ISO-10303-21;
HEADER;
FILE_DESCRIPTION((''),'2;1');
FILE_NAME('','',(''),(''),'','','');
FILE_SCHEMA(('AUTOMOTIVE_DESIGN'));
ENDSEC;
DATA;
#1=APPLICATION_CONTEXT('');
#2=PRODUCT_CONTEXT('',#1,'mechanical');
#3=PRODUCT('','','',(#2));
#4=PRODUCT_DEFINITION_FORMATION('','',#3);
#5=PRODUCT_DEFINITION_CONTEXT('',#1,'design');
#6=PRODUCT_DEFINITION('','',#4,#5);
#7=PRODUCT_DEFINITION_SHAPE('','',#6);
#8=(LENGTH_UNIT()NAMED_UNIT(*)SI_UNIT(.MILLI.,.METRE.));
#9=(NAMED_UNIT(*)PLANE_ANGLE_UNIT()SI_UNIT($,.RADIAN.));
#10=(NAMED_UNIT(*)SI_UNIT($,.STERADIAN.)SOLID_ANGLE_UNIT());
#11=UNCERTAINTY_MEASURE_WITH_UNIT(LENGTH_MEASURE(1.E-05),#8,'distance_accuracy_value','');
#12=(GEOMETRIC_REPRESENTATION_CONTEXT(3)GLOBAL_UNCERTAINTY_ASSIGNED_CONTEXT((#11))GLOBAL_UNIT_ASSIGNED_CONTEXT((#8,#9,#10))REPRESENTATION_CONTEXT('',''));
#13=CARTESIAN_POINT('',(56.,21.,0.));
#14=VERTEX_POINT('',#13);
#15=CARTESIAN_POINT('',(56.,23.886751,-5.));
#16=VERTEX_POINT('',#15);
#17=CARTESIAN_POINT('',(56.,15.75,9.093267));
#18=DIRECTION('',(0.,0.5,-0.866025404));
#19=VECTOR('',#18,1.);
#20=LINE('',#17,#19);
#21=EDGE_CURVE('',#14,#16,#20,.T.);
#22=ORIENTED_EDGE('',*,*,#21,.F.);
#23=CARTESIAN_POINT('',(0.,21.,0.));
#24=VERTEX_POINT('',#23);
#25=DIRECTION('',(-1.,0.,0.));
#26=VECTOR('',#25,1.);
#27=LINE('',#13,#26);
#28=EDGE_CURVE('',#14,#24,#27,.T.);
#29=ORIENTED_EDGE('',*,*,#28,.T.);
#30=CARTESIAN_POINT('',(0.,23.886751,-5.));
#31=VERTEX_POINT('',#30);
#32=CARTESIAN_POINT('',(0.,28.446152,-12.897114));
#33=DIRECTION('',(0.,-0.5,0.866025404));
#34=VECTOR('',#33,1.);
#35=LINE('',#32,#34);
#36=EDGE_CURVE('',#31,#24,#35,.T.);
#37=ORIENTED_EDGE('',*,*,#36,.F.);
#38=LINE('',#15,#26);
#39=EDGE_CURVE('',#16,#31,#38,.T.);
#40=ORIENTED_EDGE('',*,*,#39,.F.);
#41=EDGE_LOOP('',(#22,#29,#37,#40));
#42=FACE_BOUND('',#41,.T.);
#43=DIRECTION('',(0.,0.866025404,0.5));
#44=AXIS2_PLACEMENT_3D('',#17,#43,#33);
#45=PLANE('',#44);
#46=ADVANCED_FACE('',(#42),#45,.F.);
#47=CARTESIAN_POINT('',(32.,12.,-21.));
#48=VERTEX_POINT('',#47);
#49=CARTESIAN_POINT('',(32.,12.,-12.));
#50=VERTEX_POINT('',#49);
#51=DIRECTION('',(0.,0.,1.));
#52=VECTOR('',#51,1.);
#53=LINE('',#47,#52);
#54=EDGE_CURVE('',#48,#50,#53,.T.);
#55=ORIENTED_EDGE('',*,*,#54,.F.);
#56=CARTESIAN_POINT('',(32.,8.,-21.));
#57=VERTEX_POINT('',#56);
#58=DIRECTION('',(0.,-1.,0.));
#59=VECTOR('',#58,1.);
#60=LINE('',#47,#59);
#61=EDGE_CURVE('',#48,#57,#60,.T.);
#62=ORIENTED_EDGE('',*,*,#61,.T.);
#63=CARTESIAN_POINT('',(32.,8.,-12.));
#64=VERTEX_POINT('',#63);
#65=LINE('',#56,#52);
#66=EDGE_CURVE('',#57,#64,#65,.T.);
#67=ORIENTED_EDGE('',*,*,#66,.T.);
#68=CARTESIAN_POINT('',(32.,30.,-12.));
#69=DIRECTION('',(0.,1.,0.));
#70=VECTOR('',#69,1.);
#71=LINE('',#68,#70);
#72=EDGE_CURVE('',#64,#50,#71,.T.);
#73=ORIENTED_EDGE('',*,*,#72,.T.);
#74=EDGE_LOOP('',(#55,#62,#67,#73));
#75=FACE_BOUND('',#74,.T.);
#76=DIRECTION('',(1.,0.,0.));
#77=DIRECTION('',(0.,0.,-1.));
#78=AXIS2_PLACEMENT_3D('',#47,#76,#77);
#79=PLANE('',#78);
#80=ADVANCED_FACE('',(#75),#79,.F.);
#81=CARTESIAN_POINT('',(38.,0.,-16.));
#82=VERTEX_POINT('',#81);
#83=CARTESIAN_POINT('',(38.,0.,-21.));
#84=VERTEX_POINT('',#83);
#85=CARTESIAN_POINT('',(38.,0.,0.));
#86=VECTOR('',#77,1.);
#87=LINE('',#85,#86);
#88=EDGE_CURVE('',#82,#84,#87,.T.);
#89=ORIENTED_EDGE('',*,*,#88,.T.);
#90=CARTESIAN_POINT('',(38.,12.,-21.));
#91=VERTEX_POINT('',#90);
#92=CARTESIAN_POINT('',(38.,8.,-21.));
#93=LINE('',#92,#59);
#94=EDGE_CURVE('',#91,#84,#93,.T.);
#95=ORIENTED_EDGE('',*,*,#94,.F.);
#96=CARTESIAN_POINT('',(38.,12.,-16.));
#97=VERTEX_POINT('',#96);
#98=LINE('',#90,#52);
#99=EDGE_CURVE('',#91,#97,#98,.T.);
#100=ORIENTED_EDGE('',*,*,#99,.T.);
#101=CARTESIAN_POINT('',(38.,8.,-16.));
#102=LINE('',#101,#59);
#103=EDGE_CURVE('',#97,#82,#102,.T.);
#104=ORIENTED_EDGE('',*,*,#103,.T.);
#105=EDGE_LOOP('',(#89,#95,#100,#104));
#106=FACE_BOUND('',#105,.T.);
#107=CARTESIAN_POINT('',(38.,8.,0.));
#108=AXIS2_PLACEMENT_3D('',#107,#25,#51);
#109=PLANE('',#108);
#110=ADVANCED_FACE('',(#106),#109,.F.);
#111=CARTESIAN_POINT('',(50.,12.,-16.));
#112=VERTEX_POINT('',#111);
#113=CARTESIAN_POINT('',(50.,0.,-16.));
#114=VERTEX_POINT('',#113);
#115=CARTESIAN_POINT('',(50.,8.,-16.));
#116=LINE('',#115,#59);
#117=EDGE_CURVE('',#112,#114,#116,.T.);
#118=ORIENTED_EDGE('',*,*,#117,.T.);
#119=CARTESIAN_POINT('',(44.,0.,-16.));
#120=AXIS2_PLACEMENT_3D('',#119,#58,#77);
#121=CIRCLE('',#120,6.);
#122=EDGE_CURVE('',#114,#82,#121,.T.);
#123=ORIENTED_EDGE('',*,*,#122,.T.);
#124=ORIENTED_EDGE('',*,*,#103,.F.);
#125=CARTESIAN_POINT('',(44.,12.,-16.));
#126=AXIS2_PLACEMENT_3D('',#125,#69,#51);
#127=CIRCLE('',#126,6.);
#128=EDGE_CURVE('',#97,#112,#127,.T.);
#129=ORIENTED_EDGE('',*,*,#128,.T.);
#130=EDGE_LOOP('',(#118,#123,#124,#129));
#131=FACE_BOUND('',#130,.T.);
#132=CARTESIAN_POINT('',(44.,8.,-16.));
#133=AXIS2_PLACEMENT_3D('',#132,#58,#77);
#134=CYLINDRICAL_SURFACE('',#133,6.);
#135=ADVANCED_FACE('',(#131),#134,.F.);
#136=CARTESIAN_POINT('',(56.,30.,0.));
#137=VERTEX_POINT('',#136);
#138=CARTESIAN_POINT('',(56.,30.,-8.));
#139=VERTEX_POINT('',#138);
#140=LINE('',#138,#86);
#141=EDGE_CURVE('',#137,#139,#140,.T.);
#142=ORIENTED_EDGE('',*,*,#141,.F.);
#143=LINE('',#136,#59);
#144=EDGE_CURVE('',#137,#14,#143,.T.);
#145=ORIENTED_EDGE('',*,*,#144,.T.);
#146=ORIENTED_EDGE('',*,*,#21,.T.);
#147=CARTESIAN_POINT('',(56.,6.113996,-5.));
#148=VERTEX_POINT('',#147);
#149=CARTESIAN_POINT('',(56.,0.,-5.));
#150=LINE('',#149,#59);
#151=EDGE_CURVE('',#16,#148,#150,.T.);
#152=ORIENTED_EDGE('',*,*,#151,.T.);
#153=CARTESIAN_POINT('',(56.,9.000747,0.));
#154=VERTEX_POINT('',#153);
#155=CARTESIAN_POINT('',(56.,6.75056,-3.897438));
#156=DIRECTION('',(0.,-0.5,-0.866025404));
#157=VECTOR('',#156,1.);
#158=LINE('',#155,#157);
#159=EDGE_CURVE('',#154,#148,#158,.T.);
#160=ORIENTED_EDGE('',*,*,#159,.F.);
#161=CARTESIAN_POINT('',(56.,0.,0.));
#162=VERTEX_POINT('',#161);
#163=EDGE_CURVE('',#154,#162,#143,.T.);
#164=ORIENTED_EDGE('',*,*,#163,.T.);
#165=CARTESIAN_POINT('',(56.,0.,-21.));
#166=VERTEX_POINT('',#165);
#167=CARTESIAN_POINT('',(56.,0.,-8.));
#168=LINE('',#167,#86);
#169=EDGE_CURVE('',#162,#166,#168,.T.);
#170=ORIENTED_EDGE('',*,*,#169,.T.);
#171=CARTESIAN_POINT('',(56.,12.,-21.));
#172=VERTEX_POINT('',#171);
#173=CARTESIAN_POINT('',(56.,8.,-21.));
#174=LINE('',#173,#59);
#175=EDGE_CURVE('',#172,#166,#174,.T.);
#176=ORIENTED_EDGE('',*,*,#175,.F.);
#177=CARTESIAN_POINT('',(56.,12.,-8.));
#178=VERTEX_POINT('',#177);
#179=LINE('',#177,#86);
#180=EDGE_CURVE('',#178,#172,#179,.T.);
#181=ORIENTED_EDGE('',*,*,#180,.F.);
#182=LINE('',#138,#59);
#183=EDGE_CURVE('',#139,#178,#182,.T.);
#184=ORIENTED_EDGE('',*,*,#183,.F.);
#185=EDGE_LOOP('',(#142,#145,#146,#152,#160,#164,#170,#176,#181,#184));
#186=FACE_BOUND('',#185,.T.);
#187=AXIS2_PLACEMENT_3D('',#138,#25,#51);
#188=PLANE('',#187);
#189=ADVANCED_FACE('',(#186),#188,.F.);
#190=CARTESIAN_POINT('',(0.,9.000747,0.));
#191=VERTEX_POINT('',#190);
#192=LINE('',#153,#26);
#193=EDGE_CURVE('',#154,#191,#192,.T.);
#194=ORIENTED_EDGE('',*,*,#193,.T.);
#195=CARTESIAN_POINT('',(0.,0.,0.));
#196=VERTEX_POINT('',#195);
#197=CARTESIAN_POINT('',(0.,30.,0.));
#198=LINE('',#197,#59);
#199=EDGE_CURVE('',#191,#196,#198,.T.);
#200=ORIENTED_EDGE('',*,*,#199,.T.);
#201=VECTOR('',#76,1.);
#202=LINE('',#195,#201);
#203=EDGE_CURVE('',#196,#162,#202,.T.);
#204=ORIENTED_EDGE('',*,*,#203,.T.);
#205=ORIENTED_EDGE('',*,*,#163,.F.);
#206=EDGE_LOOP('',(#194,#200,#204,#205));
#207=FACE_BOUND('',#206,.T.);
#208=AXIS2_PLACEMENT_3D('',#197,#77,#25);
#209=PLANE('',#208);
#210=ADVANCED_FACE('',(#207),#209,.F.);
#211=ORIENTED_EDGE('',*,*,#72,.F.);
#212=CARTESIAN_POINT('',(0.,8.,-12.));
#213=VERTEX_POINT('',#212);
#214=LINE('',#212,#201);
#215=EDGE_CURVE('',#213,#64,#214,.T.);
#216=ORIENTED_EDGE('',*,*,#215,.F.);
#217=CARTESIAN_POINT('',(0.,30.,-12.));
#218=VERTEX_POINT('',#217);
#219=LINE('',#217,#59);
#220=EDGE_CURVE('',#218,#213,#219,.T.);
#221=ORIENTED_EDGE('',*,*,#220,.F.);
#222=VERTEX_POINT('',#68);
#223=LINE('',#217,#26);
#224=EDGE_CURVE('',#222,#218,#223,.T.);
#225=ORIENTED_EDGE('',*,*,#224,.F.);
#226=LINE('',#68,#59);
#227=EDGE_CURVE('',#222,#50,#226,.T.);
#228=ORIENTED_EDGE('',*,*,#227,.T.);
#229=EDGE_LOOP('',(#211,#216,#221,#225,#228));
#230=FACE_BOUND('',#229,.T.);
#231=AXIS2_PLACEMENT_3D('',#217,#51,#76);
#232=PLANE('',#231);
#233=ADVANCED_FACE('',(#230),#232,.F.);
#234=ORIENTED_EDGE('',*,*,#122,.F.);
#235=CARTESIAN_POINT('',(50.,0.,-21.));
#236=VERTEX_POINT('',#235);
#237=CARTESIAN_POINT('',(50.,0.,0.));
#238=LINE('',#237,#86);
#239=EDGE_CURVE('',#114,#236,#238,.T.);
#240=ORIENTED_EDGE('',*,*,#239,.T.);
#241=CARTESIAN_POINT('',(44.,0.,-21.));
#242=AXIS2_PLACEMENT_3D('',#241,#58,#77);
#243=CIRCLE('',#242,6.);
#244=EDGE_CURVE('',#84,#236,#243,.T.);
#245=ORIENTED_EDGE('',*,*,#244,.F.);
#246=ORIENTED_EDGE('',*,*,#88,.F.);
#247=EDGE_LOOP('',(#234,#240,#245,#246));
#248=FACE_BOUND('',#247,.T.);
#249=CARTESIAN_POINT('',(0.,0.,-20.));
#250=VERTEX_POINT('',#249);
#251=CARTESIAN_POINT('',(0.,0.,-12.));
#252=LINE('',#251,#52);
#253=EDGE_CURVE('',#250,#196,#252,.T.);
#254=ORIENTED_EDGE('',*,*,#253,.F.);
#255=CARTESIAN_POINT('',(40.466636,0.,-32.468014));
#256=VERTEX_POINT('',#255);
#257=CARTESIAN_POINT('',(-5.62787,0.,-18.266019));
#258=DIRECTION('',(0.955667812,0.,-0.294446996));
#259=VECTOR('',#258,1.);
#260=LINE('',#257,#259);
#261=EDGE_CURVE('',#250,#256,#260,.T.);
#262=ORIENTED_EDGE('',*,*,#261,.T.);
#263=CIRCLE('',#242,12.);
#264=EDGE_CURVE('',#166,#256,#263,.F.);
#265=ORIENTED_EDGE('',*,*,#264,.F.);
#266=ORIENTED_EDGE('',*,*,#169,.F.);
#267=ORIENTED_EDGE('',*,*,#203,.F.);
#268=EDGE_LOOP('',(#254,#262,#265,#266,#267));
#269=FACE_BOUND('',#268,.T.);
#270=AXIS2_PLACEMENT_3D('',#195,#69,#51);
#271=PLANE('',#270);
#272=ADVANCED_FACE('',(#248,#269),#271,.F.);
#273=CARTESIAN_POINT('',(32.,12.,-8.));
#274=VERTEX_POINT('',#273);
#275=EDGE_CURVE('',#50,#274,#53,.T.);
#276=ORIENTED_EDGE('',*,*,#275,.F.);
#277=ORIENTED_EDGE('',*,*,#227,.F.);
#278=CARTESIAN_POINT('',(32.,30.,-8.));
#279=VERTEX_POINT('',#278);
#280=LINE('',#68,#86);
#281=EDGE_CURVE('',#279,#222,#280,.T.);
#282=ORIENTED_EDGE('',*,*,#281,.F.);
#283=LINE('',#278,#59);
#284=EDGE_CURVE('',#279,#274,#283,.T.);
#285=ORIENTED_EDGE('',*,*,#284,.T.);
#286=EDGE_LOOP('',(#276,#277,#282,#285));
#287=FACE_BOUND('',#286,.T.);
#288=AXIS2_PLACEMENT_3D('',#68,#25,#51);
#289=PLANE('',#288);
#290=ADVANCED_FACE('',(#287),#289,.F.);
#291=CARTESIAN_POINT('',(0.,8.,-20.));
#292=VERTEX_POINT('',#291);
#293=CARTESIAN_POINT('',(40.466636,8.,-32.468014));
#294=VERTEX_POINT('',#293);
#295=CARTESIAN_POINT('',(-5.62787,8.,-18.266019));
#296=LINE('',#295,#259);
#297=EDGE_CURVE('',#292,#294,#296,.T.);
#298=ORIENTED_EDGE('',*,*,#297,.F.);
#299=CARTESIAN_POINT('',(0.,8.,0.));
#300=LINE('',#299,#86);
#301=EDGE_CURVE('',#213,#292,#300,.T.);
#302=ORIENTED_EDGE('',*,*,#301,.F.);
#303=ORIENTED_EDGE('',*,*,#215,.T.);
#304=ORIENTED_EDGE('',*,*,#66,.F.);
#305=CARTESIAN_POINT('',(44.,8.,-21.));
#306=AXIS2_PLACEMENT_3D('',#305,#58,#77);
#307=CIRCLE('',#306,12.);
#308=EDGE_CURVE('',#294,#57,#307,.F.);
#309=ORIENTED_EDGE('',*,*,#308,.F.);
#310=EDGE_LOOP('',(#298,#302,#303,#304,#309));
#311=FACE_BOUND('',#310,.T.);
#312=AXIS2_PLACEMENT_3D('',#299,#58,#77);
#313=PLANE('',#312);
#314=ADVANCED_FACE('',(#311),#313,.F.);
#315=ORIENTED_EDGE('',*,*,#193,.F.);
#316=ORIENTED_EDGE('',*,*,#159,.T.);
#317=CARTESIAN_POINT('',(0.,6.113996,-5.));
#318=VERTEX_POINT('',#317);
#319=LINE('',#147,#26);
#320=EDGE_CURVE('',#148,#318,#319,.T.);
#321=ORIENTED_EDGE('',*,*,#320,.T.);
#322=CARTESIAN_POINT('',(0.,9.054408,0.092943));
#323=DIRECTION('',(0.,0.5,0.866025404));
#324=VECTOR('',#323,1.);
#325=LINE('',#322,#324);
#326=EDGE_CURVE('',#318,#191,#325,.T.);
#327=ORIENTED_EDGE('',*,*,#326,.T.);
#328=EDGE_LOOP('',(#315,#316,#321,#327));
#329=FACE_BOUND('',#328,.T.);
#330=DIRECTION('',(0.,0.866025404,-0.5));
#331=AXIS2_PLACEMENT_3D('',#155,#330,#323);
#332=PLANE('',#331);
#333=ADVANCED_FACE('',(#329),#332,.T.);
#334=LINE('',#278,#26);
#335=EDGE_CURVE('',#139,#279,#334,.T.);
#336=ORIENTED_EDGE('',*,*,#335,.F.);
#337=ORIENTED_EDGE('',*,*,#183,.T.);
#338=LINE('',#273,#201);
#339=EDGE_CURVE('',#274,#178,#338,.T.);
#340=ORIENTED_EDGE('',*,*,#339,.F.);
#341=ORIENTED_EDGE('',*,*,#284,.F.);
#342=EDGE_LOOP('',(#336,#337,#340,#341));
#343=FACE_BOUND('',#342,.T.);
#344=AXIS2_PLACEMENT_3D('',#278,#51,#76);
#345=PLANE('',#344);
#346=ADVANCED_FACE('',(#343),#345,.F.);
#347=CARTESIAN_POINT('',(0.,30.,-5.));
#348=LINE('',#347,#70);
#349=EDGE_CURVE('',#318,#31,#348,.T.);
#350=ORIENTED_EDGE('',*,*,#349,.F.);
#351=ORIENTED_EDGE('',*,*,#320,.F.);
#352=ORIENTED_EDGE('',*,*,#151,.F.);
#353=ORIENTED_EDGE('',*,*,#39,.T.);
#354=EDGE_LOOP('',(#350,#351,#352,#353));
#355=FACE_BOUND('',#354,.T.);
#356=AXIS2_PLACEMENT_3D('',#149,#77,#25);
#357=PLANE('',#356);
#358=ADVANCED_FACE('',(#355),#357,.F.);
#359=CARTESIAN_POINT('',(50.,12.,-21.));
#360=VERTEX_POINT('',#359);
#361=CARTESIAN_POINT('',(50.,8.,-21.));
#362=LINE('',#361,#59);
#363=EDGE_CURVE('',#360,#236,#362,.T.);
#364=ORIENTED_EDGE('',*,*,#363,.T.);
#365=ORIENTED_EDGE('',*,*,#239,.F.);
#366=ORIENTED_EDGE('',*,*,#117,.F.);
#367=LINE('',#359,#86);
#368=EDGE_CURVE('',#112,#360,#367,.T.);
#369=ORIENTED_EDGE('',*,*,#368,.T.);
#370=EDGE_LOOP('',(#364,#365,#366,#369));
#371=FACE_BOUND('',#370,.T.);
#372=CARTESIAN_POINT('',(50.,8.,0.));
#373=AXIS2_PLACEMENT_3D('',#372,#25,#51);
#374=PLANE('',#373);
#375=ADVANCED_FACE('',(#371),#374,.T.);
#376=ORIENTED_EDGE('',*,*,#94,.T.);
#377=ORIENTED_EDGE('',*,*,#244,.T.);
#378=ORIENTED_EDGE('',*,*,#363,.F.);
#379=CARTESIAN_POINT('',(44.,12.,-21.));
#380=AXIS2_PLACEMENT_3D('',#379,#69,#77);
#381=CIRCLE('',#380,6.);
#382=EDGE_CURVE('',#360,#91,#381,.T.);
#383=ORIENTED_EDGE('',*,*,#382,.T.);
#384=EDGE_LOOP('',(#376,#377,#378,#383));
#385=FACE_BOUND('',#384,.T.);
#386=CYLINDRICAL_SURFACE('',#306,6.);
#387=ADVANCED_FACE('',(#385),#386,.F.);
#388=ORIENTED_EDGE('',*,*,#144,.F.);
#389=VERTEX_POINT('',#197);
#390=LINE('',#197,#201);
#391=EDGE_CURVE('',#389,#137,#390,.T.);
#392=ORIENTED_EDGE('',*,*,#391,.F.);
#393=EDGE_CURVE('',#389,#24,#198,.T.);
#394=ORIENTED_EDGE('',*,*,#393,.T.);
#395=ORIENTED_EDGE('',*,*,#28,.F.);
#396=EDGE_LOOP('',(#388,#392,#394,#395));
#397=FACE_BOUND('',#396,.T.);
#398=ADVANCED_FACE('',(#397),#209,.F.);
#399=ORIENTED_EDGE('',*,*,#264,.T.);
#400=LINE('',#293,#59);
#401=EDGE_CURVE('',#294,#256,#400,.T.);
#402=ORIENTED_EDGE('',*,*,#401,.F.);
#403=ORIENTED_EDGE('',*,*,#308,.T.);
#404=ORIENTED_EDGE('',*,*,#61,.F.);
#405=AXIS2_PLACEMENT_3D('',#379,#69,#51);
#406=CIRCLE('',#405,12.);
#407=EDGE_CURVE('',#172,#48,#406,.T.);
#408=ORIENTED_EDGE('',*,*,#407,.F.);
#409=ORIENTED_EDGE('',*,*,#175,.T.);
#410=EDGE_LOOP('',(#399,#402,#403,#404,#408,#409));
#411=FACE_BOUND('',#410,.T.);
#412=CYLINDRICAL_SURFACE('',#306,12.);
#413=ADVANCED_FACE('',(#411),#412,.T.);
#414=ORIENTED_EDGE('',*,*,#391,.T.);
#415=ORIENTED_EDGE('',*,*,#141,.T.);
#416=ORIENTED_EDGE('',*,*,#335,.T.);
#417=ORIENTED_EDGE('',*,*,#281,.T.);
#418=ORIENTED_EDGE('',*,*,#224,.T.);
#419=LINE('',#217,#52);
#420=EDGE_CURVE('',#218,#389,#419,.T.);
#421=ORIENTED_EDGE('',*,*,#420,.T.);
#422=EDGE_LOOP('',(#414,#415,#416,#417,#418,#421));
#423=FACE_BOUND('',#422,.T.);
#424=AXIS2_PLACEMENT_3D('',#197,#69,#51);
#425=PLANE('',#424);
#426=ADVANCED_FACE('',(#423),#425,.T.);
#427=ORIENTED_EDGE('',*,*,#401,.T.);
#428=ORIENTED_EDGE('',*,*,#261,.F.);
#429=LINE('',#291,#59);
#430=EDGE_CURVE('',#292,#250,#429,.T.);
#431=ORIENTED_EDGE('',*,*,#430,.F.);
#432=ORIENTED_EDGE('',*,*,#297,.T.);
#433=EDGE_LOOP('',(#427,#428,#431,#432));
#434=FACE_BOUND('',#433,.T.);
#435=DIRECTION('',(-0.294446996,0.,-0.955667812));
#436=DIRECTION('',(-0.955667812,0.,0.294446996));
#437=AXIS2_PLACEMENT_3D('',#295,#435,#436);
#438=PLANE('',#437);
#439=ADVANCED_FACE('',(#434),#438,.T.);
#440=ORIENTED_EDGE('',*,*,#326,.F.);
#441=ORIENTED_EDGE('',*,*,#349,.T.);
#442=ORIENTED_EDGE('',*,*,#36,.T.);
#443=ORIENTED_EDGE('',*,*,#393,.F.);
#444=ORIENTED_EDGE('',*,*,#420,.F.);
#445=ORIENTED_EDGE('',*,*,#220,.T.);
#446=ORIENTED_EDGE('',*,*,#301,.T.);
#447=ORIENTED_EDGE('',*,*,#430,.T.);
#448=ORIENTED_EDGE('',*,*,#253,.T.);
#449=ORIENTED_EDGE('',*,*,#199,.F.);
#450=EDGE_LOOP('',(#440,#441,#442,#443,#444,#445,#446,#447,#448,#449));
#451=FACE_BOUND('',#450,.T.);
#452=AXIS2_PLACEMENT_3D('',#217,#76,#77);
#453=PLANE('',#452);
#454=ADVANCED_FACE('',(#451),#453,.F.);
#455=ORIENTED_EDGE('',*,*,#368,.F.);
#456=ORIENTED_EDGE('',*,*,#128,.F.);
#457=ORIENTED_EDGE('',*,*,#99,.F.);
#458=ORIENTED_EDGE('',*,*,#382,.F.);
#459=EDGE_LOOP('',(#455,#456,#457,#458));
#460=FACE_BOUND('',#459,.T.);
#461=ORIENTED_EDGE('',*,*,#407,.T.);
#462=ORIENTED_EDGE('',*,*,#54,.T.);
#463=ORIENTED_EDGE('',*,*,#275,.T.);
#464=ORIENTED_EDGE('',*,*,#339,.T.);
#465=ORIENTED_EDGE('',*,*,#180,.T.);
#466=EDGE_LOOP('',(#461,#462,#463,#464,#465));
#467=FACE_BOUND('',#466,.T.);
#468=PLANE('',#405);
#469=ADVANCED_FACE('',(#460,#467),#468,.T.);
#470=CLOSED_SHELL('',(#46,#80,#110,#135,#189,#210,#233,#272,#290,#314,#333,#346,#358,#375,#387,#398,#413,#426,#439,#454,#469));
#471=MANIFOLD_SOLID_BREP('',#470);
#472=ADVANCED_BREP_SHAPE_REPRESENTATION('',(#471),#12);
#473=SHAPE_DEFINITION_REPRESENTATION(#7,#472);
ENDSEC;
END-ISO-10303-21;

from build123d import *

# Parameters (mm, degrees)
EXTRUDE_1_DEPTH          = 30
CUT_EXTRUDE_1_DEPTH      = 65.652919501
CUT_EXTRUDE_1_DEPTH_BACK = 65.652919501
EXTRUDE_2_DEPTH          = 8
EXTRUDE_3_DEPTH          = 4


with BuildPart() as part:
    # 草图1 → 凸台-拉伸1 (new body)
    with BuildSketch(Plane(origin=(0, 0, 0), x_dir=(1, 0, 0), z_dir=(0, 1, 0))):
        Polygon((0, 0), (56, 0), (56, 8), (32, 8), (32, 12), (0, 12), align=None)
    extrude(amount=EXTRUDE_1_DEPTH)

    # 草图2 → 切除-拉伸1 (cut, two sides: drawn at the far end of the back side and taken through both)
    with BuildSketch(Plane.ZY.offset(-CUT_EXTRUDE_1_DEPTH_BACK)):
        Polygon((0, 15), (0, 15.000747226), (0, 21), (-5, 23.886751346), (-5, 6.11399588), (0, 9.000747226), align=None)
    extrude(amount=CUT_EXTRUDE_1_DEPTH + CUT_EXTRUDE_1_DEPTH_BACK, mode=Mode.SUBTRACT)

    # 草图5 → 凸台-拉伸2 (add)
    with BuildSketch(Plane.XZ):
        with BuildLine():
            Line((56, -8), (44, -8))
            Line((44, -8), (32, -8))
            Line((32, -8), (32, -12))
            Line((32, -12), (0, -12))
            Line((0, -12), (0, -20))
            Line((0, -20), (40.466636051, -32.468013743))
            ThreePointArc((40.466636051, -32.468013743), (51.127398986, -30.654024223), (56, -21))
            Line((56, -21), (56, -8))
        make_face()
        with BuildLine():
            ThreePointArc((38, -16), (39.757359313, -11.757359313), (44, -10))
            ThreePointArc((44, -10), (48.242640687, -11.757359313), (50, -16))
            Line((50, -16), (50, -21))
            ThreePointArc((50, -21), (44, -27), (38, -21))
            Line((38, -21), (38, -16))
        make_face(mode=Mode.SUBTRACT)
    extrude(amount=-EXTRUDE_2_DEPTH)

    # 草图6 → 凸台-拉伸3 (add)
    with BuildSketch(Plane(origin=(0, 8, 0), x_dir=(1, 0, 0), z_dir=(0, 1, 0))):
        with BuildLine():
            Line((32, 21), (32, 8))
            Line((32, 8), (56, 8))
            Line((56, 8), (56, 21))
            ThreePointArc((56, 21), (44, 33), (32, 21))
        make_face()
        with BuildLine():
            Line((38, 21), (38, 16))
            ThreePointArc((38, 16), (44, 10), (50, 16))
            Line((50, 16), (50, 21))
            ThreePointArc((50, 21), (44, 27), (38, 21))
        make_face(mode=Mode.SUBTRACT)
    extrude(amount=EXTRUDE_3_DEPTH)


solid = part.part
